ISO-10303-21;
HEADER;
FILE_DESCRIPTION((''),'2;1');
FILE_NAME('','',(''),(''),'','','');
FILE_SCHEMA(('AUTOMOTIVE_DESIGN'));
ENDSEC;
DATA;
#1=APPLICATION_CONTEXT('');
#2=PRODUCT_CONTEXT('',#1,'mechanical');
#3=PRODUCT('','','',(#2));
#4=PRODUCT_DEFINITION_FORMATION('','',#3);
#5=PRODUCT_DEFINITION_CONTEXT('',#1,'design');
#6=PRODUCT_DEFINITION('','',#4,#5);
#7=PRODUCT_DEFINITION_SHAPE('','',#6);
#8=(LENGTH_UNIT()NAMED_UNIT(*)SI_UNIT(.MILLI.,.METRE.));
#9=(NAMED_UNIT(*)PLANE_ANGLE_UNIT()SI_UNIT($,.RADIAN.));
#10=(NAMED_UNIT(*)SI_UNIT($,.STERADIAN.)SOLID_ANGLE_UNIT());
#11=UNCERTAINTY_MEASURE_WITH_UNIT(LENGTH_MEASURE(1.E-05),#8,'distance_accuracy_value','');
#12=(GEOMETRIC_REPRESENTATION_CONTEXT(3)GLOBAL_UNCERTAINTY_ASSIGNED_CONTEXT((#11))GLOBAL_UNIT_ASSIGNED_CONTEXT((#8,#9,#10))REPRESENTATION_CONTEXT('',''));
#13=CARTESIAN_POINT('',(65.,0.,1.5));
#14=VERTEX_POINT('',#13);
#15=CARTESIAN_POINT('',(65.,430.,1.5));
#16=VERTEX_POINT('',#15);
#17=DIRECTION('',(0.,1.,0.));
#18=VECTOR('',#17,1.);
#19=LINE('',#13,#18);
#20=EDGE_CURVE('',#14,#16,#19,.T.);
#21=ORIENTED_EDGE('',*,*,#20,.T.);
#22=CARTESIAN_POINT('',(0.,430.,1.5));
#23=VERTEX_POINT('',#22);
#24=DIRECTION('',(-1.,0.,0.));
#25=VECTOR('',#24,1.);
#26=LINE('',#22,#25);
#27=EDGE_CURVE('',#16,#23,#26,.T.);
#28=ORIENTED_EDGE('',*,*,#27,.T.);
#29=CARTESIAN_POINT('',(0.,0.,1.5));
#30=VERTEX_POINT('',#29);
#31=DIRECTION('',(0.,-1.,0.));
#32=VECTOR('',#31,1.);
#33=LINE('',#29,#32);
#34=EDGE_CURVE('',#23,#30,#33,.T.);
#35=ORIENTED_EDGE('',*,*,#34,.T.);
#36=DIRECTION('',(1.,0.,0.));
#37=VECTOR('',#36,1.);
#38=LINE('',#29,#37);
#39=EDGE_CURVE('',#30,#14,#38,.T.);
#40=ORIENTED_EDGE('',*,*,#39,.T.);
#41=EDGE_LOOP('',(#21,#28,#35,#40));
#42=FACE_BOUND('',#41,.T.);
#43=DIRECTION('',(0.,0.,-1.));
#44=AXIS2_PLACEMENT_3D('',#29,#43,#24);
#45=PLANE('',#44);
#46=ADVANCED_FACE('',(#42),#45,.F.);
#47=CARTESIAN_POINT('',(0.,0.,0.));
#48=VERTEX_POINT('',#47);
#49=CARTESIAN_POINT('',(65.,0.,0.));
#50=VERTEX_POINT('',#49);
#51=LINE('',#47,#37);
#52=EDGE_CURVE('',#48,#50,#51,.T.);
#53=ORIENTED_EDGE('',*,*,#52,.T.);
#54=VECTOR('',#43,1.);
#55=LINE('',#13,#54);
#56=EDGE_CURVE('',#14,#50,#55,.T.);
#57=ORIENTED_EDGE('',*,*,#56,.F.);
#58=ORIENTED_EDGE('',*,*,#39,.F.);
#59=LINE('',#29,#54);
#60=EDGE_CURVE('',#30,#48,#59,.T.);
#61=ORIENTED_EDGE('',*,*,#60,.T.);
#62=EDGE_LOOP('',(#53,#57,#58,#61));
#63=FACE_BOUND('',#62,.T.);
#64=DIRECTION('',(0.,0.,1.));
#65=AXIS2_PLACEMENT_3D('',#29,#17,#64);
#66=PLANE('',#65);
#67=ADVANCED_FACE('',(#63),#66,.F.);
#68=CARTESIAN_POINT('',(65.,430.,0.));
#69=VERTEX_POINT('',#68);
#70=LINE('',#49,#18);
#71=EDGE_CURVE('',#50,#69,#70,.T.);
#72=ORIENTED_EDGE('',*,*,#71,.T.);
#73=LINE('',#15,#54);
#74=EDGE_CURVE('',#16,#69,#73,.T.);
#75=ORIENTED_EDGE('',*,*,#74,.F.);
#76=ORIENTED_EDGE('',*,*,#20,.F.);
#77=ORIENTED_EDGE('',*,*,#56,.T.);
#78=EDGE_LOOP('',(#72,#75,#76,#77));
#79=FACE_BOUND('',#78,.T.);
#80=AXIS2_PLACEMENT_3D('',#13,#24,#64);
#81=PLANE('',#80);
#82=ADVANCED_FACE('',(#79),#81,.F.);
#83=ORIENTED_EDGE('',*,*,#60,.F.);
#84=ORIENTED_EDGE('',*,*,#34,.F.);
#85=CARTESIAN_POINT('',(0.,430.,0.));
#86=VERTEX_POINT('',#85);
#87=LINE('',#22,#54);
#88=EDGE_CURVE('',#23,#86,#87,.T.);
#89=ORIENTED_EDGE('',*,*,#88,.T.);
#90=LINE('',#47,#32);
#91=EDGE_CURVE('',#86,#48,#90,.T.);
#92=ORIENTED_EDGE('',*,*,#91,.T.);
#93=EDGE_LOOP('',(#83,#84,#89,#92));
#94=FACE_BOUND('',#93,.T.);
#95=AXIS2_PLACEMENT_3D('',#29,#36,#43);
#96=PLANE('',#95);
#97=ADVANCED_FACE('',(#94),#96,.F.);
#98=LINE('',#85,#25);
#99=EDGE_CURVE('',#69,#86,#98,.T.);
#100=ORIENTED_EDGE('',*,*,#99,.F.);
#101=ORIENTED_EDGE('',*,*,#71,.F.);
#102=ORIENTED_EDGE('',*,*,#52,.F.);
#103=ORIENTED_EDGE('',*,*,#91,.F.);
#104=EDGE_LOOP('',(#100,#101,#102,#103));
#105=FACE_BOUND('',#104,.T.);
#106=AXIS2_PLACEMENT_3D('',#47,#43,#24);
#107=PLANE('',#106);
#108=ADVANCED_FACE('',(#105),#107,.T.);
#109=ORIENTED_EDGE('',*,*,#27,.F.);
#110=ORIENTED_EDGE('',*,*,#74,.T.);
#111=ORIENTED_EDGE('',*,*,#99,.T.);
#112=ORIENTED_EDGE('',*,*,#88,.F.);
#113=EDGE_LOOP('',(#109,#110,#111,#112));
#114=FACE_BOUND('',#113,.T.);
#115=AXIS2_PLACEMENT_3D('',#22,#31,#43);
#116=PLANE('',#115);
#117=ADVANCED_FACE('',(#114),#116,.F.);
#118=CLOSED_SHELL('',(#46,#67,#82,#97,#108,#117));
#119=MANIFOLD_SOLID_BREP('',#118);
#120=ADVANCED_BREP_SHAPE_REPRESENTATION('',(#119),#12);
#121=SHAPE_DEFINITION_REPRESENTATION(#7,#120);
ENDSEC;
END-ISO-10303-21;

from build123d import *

# Parameters (mm, degrees)
ESBO_O1_W                = 65
ESBO_O1_H                = 430
RESSALTO_EXTRUS_O1_DEPTH = 1.5


with BuildPart() as part:
    # Esboço1 → Ressalto-extrusão1 (new body)
    with BuildSketch(Plane.XY):
        with Locations((32.5, 215)):
            Rectangle(ESBO_O1_W, ESBO_O1_H)
    extrude(amount=RESSALTO_EXTRUS_O1_DEPTH)


solid = part.part
